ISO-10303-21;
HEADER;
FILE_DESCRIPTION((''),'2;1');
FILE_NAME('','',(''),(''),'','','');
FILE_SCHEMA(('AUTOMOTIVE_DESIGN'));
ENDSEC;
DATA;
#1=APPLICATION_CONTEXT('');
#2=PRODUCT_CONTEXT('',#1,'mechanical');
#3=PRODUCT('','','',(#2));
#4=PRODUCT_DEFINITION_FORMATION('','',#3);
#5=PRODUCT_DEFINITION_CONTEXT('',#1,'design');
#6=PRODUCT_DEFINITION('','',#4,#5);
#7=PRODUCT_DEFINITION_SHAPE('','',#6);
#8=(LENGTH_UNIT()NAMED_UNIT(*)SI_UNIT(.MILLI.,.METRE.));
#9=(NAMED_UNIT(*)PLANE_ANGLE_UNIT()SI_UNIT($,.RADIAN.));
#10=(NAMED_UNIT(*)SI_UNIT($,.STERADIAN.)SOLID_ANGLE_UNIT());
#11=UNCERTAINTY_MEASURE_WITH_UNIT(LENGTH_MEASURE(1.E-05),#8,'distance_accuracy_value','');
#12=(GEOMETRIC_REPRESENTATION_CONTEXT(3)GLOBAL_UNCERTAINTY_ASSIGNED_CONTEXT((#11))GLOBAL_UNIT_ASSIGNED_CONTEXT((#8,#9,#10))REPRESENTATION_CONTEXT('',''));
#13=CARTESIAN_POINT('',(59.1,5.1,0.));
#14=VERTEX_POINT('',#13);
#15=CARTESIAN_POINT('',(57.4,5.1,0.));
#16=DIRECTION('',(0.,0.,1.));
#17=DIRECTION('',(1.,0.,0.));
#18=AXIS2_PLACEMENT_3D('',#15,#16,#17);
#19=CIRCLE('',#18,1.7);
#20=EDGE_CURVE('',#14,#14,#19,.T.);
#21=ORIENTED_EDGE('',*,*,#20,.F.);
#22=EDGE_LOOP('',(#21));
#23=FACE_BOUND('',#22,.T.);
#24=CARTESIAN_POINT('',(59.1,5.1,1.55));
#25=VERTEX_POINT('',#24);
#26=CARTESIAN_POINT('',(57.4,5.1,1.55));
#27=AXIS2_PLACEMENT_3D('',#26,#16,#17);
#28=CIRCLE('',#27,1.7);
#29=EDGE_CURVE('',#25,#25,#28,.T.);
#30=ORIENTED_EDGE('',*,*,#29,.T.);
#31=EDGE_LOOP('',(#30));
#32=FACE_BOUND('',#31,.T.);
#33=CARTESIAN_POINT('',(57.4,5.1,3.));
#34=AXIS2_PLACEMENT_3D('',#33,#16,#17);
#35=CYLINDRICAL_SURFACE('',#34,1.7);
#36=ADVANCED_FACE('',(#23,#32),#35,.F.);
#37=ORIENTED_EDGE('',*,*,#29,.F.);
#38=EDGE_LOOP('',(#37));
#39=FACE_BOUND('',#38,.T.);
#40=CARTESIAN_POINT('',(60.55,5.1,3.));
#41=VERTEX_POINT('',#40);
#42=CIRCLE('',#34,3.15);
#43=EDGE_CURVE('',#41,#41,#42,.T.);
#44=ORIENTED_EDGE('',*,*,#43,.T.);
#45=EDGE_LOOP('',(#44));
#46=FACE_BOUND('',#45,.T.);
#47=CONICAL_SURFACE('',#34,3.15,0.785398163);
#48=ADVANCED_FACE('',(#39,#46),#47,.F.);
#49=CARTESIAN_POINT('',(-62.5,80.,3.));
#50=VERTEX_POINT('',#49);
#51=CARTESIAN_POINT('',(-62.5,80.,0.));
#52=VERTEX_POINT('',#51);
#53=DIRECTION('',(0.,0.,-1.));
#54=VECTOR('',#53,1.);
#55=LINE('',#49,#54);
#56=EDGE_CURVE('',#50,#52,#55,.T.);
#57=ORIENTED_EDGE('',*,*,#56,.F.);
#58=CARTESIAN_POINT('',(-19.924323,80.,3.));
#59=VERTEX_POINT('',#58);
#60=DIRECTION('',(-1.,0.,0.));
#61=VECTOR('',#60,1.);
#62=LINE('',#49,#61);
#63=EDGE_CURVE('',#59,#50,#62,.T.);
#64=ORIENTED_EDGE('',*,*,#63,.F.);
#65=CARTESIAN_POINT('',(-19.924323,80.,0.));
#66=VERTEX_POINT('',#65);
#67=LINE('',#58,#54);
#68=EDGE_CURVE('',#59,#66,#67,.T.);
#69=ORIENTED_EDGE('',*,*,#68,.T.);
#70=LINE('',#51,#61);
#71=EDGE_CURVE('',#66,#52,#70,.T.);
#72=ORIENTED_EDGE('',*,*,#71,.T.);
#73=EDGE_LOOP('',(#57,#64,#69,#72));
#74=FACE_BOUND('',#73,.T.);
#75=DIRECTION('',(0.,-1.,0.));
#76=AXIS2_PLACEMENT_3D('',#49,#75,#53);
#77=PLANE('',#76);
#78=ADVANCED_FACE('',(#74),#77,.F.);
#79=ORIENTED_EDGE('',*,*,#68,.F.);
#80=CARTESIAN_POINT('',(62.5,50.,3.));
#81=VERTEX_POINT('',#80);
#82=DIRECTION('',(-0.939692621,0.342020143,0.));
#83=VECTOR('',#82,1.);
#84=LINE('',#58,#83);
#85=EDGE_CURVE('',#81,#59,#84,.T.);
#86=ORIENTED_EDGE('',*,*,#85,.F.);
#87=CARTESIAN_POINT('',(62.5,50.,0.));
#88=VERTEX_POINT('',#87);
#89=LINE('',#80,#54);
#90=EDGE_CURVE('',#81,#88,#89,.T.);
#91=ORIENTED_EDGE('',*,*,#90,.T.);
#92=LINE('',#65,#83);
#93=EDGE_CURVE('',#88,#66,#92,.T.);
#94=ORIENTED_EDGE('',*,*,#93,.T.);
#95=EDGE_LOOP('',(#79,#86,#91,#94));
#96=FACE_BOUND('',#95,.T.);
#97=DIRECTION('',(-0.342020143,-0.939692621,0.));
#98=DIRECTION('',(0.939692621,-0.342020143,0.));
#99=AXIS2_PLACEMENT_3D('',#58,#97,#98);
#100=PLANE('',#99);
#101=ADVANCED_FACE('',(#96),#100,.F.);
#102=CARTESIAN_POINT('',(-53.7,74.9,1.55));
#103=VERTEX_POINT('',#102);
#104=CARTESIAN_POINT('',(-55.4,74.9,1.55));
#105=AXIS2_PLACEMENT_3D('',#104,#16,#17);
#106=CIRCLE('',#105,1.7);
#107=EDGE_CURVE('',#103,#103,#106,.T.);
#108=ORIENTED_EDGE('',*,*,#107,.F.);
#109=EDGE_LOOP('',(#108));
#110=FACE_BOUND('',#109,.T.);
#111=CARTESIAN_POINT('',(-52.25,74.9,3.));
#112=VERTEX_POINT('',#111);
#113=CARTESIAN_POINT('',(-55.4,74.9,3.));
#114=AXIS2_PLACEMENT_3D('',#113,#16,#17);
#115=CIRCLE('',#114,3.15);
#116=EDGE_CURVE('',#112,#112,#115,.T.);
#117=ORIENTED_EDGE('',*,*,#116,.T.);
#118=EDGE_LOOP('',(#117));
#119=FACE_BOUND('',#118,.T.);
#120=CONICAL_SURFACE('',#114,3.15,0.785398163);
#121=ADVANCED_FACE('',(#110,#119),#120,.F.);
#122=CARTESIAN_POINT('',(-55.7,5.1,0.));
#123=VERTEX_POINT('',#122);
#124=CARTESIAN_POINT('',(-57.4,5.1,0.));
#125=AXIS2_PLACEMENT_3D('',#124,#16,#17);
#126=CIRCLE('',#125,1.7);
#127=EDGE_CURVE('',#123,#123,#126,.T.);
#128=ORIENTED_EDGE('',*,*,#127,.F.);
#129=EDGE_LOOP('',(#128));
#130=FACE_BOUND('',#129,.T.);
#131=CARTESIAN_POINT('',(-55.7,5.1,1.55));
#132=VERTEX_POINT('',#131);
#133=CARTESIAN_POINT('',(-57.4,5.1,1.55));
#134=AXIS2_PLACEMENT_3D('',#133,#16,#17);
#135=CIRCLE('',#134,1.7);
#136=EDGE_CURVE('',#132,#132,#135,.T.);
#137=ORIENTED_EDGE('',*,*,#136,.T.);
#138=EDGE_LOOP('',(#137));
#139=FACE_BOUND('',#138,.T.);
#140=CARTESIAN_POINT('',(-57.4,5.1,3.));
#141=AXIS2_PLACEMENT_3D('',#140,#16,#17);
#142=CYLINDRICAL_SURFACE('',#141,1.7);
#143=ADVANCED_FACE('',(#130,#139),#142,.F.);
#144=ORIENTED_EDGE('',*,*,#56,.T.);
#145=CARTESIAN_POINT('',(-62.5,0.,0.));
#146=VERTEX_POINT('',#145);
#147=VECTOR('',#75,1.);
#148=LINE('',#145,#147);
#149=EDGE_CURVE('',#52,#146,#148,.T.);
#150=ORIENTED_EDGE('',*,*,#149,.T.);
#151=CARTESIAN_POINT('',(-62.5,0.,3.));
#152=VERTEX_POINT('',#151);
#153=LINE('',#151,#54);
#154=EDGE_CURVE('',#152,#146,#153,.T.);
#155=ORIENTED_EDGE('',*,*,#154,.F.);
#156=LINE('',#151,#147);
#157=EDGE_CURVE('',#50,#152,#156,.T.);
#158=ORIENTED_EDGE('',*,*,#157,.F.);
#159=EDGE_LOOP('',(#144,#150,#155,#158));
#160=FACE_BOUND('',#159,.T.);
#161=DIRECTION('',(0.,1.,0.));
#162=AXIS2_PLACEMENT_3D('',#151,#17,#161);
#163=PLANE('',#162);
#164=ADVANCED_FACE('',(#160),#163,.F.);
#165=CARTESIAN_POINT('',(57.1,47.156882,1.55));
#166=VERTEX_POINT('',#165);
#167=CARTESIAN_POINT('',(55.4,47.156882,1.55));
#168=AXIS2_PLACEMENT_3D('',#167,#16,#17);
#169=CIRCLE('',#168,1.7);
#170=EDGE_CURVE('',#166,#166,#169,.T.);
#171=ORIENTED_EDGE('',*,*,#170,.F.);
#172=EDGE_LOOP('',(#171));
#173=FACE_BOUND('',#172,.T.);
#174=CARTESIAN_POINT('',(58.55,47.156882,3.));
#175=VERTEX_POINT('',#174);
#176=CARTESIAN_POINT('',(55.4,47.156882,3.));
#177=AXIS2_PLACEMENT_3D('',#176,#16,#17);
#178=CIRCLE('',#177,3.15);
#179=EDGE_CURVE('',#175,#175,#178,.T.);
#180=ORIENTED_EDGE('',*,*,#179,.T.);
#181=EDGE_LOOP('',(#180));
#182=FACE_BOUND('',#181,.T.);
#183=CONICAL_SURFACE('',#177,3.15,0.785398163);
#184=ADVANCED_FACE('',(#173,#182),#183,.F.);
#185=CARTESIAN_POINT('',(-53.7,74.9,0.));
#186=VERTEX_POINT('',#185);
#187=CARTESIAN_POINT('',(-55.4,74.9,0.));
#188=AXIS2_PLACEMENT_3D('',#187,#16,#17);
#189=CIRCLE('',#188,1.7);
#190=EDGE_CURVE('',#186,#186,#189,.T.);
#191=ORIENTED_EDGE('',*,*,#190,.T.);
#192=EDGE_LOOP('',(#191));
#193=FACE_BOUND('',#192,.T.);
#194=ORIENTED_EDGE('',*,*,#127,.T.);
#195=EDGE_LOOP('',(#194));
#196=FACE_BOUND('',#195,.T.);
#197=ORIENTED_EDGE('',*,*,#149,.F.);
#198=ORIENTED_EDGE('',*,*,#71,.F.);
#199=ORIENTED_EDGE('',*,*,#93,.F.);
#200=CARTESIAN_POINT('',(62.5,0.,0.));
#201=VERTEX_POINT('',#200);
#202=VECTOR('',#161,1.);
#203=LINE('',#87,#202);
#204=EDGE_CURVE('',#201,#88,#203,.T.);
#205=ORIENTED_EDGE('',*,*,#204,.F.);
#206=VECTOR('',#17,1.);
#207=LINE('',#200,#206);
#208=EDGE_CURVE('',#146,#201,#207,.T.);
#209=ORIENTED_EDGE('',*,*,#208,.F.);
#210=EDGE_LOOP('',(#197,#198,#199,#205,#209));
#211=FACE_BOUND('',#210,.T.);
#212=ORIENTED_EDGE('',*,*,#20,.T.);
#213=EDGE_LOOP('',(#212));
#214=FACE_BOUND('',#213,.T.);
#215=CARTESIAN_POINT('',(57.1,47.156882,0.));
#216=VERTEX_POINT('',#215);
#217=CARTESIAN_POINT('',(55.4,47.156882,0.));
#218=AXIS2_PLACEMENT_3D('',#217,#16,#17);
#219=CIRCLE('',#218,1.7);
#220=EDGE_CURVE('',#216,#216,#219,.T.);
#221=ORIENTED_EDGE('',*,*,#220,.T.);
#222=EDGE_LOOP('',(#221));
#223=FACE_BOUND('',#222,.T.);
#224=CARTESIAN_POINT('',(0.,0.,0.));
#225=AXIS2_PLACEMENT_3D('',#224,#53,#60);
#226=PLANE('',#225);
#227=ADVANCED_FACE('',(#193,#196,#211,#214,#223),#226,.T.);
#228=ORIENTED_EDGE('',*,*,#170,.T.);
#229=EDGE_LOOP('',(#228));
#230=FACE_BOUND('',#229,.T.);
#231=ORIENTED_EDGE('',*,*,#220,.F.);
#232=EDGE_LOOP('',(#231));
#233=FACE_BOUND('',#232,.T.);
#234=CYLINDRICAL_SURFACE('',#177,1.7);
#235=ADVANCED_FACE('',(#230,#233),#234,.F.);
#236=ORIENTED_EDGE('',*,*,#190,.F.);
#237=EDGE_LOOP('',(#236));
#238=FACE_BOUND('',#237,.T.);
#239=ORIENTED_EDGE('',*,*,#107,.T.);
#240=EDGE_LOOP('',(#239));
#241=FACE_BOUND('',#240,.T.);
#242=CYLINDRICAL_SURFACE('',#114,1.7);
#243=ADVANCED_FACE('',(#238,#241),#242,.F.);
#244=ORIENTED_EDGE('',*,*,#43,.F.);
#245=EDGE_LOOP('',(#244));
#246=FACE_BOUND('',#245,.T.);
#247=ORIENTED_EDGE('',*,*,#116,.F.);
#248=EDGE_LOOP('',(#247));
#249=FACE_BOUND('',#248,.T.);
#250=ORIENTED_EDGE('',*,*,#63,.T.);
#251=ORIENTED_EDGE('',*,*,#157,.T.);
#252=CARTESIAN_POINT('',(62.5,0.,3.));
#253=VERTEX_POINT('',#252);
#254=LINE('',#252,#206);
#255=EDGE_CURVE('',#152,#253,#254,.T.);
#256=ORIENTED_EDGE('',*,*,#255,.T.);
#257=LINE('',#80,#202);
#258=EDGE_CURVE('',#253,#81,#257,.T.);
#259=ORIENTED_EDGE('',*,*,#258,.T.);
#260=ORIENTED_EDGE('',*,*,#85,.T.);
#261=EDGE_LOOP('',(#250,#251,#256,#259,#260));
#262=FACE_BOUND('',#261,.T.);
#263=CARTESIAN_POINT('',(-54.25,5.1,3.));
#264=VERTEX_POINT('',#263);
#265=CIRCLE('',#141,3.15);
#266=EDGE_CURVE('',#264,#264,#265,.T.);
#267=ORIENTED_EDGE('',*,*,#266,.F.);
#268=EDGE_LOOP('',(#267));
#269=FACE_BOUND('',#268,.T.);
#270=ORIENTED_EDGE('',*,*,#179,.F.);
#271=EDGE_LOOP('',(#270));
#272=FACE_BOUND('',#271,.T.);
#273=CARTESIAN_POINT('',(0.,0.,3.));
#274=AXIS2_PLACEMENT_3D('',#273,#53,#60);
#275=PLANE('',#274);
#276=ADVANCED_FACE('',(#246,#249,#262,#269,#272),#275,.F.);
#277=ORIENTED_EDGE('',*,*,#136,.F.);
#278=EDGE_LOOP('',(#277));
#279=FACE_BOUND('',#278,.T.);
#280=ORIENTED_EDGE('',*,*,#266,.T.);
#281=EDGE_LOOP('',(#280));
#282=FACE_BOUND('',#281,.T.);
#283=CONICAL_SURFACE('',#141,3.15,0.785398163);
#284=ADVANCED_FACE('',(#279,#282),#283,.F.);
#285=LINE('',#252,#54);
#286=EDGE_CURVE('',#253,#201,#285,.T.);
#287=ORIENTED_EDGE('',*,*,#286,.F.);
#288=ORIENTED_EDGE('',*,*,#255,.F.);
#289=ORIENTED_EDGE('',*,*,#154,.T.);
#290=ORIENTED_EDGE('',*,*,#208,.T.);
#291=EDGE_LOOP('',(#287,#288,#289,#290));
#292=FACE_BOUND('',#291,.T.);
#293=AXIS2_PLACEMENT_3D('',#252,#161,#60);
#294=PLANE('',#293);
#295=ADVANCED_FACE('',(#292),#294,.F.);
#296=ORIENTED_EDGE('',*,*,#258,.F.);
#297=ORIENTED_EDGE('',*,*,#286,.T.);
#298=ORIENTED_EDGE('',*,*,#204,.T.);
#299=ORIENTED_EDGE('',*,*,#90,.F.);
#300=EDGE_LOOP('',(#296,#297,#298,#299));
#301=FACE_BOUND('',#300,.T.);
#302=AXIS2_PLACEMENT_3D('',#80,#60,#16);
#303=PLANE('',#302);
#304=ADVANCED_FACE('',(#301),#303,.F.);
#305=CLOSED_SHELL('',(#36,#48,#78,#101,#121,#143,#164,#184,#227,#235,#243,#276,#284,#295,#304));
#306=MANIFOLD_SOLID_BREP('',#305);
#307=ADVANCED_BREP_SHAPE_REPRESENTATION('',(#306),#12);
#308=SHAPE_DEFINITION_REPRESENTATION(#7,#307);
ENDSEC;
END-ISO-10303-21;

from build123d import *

# Parameters (mm, degrees)
EXTRUDE_1_DEPTH            = 3
HOLE_WIZARD_M31_AT_2_COUNT = 2
HOLE_WIZARD_M31_AT_2_PITCH = 69.828647416
HOLE_WIZARD_M31_AT_3_COUNT = 2
HOLE_WIZARD_M31_AT_3_PITCH = 114.220491135
HOLE_WIZARD_M31_AT_4_COUNT = 2
HOLE_WIZARD_M31_AT_4_PITCH = 132.649462871


with BuildPart() as part:
    # Эскиз1 → Бобышка-Вытянуть1 (new body)
    with BuildSketch(Plane.XY):
        Polygon((-19.924322584, 80), (62.5, 50), (62.5, 0), (-62.5, 0), (-62.5, 80), align=None)
    extrude(amount=EXTRUDE_1_DEPTH)

    # Эскиз5 → Зенковка для винта с потайной головкой M31 (revolve, cut)
    with BuildSketch(Plane(origin=(-55.4, 74.9, 3), x_dir=(0, -1, 0), z_dir=(1, 0, 0))):
        Polygon((0, 0), (0, 3), (1.7, 3), (1.7, 1.45), (3.15, 0), align=None)
    hole_wizard_m31 = revolve(axis=Axis((-55.4, 74.9, 9.35), (0, 0, -1)), mode=Mode.SUBTRACT)

    # Зенковка для винта с потайной головкой M31 at 2: Зенковка для винта с потайной головкой M31 ×2
    with Locations(*[Vector(-0.02864154002689579, -0.9995897469386568, 0) * (i * HOLE_WIZARD_M31_AT_2_PITCH) for i in range(1, HOLE_WIZARD_M31_AT_2_COUNT)]):
        add(hole_wizard_m31, mode=Mode.SUBTRACT)

    # Зенковка для винта с потайной головкой M31 at 3: Зенковка для винта с потайной головкой M31 ×2
    with Locations(*[Vector(0.9700536120909078, -0.24289090075460365, 0) * (i * HOLE_WIZARD_M31_AT_3_PITCH) for i in range(1, HOLE_WIZARD_M31_AT_3_COUNT)]):
        add(hole_wizard_m31, mode=Mode.SUBTRACT)

    # Зенковка для винта с потайной головкой M31 at 4: Зенковка для винта с потайной головкой M31 ×2
    with Locations(*[Vector(0.8503615284864274, -0.5261988890811409, 0) * (i * HOLE_WIZARD_M31_AT_4_PITCH) for i in range(1, HOLE_WIZARD_M31_AT_4_COUNT)]):
        add(hole_wizard_m31, mode=Mode.SUBTRACT)


solid = part.part
